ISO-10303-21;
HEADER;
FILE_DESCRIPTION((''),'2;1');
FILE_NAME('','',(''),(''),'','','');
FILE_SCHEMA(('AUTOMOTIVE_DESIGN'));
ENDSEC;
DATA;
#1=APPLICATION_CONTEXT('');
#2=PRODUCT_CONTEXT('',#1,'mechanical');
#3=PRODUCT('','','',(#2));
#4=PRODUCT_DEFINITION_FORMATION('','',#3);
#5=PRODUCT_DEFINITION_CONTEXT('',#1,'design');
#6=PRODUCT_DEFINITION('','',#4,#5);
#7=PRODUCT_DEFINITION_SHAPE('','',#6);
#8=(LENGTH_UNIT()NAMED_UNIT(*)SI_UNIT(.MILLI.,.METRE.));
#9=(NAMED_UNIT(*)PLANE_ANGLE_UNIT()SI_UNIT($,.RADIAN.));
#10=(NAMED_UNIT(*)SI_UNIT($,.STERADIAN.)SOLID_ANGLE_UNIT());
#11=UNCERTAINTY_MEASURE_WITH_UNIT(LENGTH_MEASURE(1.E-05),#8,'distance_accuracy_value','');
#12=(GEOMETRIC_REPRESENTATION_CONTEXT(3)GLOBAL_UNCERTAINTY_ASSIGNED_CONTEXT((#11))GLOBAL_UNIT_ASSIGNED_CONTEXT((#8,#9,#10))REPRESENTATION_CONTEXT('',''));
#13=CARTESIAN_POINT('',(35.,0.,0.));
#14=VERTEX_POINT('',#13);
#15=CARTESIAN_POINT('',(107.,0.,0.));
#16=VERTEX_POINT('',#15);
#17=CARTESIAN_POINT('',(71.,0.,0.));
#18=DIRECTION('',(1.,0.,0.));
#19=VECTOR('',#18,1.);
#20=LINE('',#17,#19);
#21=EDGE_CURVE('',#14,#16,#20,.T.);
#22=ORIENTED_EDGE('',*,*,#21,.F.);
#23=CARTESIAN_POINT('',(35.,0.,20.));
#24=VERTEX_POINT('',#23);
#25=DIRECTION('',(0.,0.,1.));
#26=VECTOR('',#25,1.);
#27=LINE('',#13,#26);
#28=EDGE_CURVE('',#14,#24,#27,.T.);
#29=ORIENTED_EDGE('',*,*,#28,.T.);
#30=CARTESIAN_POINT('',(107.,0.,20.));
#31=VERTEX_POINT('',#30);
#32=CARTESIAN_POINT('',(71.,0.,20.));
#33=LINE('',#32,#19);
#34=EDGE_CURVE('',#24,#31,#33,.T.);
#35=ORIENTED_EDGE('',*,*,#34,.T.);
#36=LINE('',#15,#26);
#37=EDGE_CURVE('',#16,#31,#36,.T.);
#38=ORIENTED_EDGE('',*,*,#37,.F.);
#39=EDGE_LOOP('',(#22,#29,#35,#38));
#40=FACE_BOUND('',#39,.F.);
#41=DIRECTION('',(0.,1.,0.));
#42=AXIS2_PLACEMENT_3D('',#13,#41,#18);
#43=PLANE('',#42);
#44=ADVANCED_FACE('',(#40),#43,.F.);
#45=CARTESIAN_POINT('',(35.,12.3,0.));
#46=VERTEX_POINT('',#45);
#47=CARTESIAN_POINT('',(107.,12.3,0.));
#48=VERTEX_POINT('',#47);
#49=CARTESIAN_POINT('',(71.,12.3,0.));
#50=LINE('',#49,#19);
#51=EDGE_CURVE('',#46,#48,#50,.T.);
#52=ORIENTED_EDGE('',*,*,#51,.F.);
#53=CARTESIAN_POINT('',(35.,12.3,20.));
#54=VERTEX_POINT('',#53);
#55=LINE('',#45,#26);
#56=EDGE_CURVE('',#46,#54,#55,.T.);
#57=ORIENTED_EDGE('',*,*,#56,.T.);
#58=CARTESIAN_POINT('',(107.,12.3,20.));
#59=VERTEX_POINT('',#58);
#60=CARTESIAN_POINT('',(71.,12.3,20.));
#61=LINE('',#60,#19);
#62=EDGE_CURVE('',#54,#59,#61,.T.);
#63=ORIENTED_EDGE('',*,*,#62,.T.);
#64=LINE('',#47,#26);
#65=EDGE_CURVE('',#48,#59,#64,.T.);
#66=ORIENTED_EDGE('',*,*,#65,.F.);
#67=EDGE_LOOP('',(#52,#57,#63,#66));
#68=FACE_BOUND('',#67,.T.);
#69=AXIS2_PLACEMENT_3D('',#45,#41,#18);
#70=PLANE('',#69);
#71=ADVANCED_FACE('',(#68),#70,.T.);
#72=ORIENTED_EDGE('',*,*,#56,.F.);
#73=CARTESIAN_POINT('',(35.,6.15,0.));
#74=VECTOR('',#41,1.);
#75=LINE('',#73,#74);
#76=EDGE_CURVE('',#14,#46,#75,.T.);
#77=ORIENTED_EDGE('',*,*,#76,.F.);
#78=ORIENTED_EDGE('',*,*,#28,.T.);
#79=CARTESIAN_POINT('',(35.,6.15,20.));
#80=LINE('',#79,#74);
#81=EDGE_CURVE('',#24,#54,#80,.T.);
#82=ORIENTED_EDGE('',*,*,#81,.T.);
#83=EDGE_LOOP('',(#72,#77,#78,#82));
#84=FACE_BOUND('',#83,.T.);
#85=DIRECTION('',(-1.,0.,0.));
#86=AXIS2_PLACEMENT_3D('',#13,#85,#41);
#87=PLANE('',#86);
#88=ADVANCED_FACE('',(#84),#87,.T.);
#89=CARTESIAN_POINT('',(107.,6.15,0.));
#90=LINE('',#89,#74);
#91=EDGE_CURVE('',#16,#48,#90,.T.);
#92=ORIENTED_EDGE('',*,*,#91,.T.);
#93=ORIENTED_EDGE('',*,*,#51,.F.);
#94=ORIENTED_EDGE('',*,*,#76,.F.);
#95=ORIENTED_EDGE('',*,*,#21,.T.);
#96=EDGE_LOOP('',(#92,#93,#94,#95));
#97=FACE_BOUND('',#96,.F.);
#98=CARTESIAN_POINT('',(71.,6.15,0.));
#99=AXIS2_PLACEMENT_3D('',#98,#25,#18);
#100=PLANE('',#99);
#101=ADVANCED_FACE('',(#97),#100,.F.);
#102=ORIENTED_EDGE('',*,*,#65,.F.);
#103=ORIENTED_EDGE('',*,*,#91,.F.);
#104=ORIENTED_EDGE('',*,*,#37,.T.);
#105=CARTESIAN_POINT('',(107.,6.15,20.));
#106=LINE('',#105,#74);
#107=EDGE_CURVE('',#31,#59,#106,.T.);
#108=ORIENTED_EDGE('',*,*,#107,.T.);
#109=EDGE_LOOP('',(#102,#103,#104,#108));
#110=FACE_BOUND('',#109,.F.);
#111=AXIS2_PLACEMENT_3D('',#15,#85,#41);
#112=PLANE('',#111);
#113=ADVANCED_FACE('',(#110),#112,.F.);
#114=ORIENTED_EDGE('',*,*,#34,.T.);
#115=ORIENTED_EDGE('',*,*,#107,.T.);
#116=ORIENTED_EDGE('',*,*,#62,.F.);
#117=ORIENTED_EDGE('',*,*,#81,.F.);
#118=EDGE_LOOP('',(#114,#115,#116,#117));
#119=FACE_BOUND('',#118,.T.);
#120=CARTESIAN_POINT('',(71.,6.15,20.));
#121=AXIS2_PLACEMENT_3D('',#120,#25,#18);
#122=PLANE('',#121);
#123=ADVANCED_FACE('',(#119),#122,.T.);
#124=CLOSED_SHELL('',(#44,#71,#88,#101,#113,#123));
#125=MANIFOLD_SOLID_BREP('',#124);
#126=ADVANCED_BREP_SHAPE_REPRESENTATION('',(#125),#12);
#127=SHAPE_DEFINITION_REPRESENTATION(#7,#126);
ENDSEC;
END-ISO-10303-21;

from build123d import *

# Parameters (mm, degrees)
BOX004_W     = 72
BOX004_H     = 12.3
BOX004_DEPTH = 20


with BuildPart() as part:
    # Box004 → Box004 (new body)
    with BuildSketch(Plane(origin=(35, 0, 0), x_dir=(1, 0, 0), z_dir=(0, 0, 1))):
        with Locations((36, 6.15)):
            Rectangle(BOX004_W, BOX004_H)
    extrude(amount=BOX004_DEPTH)


solid = part.part
